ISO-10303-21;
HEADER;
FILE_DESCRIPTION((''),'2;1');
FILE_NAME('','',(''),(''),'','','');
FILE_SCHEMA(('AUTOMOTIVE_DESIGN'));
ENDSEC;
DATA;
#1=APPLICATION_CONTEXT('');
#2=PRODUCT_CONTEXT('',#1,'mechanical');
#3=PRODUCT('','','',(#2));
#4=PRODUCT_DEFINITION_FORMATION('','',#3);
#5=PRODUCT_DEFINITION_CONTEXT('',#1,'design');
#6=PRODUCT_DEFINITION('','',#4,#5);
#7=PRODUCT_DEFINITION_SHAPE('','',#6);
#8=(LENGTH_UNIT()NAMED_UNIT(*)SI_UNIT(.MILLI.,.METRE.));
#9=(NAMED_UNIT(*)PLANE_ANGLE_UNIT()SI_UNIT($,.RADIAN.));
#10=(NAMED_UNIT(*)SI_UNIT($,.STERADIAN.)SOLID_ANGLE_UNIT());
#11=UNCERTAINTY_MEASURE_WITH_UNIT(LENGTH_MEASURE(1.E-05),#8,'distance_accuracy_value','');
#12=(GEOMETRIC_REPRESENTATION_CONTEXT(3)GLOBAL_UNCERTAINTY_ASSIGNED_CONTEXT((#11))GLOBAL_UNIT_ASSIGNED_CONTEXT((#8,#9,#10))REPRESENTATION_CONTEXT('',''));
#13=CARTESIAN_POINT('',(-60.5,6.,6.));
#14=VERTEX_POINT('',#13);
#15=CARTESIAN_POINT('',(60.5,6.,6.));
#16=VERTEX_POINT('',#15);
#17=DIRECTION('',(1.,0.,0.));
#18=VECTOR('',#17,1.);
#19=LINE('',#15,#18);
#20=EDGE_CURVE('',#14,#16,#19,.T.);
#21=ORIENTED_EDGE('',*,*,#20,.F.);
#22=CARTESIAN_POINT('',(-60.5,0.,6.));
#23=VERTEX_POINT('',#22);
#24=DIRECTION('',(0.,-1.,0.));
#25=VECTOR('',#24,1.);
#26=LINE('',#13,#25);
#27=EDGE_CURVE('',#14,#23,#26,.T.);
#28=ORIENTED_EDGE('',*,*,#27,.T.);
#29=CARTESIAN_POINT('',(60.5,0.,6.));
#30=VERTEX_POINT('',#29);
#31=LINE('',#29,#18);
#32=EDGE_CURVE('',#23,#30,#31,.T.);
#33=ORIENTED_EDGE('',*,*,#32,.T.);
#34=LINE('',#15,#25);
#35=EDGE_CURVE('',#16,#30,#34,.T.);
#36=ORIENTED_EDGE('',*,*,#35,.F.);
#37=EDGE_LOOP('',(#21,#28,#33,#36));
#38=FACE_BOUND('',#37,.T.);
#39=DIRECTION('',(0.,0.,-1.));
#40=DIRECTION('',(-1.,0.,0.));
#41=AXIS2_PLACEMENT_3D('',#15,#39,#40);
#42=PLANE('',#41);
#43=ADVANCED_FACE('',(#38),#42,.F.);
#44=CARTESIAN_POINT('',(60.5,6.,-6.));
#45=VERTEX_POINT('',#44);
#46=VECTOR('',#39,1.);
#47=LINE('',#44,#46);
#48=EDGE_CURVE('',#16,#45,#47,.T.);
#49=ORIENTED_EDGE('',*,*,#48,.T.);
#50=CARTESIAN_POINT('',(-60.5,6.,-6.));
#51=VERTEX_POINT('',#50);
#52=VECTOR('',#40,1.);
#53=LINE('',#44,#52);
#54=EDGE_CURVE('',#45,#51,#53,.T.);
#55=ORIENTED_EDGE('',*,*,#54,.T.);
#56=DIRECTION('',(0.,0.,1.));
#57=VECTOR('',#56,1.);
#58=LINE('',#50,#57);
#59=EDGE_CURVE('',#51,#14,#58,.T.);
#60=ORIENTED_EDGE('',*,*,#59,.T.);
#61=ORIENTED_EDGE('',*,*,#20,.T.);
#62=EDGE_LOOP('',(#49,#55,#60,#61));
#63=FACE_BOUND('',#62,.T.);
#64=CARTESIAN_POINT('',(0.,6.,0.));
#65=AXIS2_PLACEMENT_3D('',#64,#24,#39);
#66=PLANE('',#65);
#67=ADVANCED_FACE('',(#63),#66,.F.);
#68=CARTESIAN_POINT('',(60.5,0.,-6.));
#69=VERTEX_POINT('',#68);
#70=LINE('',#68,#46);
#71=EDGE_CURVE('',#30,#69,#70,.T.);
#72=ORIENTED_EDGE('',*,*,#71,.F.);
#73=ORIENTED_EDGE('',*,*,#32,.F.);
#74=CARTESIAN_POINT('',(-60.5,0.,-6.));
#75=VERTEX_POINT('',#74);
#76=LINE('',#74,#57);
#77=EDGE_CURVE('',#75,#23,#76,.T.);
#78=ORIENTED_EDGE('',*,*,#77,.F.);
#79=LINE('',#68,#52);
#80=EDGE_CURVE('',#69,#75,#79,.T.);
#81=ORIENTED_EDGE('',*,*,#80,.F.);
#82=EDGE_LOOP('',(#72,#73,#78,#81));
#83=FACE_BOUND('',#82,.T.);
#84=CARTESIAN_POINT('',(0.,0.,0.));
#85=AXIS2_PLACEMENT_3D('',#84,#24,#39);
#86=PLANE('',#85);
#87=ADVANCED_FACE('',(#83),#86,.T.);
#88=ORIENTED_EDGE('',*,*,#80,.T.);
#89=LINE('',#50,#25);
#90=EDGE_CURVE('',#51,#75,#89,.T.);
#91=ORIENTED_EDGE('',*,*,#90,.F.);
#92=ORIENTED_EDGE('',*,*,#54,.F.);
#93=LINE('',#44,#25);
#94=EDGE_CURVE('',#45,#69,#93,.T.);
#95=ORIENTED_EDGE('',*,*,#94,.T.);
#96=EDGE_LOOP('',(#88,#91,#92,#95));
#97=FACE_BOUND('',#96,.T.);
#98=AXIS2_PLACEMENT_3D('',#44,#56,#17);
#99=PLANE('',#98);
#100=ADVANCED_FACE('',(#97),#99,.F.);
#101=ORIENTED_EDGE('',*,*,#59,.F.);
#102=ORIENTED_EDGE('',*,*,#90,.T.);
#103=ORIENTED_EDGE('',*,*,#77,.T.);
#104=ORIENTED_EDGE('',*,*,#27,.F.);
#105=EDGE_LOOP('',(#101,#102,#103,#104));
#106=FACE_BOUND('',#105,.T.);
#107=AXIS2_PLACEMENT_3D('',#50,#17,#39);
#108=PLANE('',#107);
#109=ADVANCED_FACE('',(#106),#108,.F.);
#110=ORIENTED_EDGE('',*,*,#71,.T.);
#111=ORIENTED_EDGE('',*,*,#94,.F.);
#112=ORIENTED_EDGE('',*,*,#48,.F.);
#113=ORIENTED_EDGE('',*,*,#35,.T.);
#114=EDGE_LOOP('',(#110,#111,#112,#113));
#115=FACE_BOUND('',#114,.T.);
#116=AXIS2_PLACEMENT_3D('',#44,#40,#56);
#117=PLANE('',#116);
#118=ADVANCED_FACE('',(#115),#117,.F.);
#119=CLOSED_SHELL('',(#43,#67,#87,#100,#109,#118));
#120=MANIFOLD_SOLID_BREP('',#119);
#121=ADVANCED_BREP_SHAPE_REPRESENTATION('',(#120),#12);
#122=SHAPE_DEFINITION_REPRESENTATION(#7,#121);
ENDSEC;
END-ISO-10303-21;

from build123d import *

# Parameters (mm, degrees)
ESQUISSE1_W        = 121
ESQUISSE1_H        = 12
BOSS_EXTRU_1_DEPTH = 6


with BuildPart() as part:
    # Esquisse1 → Boss.-Extru.1 (new body)
    with BuildSketch(Plane(origin=(0, 0, 0), x_dir=(1, 0, 0), z_dir=(0, 1, 0))):
        Rectangle(ESQUISSE1_W, ESQUISSE1_H)
    extrude(amount=BOSS_EXTRU_1_DEPTH)


solid = part.part
